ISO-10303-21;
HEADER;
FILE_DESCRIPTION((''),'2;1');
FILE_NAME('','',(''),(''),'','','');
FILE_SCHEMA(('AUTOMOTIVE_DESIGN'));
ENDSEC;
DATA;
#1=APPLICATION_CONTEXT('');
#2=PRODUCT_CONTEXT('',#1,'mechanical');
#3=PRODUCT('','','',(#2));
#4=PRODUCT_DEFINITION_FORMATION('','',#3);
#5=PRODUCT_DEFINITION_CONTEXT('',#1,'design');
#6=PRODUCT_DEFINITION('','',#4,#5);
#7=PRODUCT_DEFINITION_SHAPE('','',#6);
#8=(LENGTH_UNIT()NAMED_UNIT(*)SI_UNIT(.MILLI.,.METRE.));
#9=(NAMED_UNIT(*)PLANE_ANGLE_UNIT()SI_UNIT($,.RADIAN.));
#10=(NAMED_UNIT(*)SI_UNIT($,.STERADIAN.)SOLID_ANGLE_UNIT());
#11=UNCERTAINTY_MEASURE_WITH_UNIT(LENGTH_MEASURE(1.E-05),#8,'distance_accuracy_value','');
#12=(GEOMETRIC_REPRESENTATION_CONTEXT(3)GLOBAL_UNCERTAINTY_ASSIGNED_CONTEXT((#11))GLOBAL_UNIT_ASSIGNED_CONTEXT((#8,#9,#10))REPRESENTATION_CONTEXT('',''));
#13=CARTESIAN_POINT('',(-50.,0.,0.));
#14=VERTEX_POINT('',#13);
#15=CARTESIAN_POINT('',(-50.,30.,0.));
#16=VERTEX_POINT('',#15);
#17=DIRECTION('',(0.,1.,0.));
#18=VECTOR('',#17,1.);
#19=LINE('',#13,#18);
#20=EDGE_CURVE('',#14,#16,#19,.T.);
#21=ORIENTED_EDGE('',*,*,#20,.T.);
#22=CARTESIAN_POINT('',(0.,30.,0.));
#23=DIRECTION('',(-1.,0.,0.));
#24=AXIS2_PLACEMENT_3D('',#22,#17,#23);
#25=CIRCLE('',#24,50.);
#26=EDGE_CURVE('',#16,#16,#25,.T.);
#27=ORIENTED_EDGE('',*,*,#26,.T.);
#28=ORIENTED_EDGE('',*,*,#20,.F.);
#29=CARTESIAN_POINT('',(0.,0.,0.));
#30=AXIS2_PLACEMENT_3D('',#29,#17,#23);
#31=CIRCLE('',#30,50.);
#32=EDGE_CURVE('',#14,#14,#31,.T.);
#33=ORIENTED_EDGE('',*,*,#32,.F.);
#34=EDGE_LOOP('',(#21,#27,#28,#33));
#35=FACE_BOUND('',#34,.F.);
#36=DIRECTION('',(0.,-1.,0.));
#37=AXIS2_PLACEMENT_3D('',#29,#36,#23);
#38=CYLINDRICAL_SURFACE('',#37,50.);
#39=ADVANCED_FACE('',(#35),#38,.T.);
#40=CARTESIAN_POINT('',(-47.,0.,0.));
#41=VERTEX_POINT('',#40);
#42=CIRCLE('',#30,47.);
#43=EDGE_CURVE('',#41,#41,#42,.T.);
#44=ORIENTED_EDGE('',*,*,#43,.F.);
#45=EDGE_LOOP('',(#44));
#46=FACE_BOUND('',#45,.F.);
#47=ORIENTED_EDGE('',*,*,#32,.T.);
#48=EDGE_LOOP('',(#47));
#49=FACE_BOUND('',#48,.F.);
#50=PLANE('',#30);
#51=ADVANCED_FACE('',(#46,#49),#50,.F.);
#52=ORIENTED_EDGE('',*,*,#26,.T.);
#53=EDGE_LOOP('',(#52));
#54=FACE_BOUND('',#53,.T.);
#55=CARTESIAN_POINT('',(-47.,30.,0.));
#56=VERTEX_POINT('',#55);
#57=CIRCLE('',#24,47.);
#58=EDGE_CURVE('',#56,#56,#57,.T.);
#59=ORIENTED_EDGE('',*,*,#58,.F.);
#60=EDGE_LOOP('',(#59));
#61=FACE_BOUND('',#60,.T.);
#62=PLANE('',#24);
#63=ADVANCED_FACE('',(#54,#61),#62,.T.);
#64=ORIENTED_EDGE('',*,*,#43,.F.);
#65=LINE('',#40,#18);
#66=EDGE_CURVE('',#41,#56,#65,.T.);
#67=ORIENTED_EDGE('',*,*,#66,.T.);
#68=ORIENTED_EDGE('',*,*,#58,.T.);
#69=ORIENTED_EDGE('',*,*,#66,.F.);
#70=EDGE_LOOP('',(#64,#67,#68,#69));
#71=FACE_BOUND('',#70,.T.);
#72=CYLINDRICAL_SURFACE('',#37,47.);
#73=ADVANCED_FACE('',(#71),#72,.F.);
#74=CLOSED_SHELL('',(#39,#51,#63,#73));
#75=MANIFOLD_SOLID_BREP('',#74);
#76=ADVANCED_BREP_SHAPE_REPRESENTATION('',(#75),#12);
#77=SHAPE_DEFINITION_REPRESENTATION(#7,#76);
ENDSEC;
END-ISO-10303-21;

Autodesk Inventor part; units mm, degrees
ref_plane "YZ Plane" through (0, 0, 0) normal (1, 0, 0) x (0, 1, 0)
ref_plane "XZ Plane" through (0, 0, 0) normal (0, 1, 0) x (-1, 0, 0)
ref_plane "XY Plane" through (0, 0, 0) normal (0, 0, 1) x (1, 0, 0)
sketch "Sketch1" plane through (0, 0, 0) normal (0, 1, 0) x (-1, 0, 0)
  circle A0 centre (0, 0) radius 50
  circle A1 centre (0, 0) radius 47
  dimension "d0" = 100
  dimension "d1" = 94
extrude "Extrusion1" add sketch "Sketch1" along normal blind 30
properties part number "top_thing_skirt"
